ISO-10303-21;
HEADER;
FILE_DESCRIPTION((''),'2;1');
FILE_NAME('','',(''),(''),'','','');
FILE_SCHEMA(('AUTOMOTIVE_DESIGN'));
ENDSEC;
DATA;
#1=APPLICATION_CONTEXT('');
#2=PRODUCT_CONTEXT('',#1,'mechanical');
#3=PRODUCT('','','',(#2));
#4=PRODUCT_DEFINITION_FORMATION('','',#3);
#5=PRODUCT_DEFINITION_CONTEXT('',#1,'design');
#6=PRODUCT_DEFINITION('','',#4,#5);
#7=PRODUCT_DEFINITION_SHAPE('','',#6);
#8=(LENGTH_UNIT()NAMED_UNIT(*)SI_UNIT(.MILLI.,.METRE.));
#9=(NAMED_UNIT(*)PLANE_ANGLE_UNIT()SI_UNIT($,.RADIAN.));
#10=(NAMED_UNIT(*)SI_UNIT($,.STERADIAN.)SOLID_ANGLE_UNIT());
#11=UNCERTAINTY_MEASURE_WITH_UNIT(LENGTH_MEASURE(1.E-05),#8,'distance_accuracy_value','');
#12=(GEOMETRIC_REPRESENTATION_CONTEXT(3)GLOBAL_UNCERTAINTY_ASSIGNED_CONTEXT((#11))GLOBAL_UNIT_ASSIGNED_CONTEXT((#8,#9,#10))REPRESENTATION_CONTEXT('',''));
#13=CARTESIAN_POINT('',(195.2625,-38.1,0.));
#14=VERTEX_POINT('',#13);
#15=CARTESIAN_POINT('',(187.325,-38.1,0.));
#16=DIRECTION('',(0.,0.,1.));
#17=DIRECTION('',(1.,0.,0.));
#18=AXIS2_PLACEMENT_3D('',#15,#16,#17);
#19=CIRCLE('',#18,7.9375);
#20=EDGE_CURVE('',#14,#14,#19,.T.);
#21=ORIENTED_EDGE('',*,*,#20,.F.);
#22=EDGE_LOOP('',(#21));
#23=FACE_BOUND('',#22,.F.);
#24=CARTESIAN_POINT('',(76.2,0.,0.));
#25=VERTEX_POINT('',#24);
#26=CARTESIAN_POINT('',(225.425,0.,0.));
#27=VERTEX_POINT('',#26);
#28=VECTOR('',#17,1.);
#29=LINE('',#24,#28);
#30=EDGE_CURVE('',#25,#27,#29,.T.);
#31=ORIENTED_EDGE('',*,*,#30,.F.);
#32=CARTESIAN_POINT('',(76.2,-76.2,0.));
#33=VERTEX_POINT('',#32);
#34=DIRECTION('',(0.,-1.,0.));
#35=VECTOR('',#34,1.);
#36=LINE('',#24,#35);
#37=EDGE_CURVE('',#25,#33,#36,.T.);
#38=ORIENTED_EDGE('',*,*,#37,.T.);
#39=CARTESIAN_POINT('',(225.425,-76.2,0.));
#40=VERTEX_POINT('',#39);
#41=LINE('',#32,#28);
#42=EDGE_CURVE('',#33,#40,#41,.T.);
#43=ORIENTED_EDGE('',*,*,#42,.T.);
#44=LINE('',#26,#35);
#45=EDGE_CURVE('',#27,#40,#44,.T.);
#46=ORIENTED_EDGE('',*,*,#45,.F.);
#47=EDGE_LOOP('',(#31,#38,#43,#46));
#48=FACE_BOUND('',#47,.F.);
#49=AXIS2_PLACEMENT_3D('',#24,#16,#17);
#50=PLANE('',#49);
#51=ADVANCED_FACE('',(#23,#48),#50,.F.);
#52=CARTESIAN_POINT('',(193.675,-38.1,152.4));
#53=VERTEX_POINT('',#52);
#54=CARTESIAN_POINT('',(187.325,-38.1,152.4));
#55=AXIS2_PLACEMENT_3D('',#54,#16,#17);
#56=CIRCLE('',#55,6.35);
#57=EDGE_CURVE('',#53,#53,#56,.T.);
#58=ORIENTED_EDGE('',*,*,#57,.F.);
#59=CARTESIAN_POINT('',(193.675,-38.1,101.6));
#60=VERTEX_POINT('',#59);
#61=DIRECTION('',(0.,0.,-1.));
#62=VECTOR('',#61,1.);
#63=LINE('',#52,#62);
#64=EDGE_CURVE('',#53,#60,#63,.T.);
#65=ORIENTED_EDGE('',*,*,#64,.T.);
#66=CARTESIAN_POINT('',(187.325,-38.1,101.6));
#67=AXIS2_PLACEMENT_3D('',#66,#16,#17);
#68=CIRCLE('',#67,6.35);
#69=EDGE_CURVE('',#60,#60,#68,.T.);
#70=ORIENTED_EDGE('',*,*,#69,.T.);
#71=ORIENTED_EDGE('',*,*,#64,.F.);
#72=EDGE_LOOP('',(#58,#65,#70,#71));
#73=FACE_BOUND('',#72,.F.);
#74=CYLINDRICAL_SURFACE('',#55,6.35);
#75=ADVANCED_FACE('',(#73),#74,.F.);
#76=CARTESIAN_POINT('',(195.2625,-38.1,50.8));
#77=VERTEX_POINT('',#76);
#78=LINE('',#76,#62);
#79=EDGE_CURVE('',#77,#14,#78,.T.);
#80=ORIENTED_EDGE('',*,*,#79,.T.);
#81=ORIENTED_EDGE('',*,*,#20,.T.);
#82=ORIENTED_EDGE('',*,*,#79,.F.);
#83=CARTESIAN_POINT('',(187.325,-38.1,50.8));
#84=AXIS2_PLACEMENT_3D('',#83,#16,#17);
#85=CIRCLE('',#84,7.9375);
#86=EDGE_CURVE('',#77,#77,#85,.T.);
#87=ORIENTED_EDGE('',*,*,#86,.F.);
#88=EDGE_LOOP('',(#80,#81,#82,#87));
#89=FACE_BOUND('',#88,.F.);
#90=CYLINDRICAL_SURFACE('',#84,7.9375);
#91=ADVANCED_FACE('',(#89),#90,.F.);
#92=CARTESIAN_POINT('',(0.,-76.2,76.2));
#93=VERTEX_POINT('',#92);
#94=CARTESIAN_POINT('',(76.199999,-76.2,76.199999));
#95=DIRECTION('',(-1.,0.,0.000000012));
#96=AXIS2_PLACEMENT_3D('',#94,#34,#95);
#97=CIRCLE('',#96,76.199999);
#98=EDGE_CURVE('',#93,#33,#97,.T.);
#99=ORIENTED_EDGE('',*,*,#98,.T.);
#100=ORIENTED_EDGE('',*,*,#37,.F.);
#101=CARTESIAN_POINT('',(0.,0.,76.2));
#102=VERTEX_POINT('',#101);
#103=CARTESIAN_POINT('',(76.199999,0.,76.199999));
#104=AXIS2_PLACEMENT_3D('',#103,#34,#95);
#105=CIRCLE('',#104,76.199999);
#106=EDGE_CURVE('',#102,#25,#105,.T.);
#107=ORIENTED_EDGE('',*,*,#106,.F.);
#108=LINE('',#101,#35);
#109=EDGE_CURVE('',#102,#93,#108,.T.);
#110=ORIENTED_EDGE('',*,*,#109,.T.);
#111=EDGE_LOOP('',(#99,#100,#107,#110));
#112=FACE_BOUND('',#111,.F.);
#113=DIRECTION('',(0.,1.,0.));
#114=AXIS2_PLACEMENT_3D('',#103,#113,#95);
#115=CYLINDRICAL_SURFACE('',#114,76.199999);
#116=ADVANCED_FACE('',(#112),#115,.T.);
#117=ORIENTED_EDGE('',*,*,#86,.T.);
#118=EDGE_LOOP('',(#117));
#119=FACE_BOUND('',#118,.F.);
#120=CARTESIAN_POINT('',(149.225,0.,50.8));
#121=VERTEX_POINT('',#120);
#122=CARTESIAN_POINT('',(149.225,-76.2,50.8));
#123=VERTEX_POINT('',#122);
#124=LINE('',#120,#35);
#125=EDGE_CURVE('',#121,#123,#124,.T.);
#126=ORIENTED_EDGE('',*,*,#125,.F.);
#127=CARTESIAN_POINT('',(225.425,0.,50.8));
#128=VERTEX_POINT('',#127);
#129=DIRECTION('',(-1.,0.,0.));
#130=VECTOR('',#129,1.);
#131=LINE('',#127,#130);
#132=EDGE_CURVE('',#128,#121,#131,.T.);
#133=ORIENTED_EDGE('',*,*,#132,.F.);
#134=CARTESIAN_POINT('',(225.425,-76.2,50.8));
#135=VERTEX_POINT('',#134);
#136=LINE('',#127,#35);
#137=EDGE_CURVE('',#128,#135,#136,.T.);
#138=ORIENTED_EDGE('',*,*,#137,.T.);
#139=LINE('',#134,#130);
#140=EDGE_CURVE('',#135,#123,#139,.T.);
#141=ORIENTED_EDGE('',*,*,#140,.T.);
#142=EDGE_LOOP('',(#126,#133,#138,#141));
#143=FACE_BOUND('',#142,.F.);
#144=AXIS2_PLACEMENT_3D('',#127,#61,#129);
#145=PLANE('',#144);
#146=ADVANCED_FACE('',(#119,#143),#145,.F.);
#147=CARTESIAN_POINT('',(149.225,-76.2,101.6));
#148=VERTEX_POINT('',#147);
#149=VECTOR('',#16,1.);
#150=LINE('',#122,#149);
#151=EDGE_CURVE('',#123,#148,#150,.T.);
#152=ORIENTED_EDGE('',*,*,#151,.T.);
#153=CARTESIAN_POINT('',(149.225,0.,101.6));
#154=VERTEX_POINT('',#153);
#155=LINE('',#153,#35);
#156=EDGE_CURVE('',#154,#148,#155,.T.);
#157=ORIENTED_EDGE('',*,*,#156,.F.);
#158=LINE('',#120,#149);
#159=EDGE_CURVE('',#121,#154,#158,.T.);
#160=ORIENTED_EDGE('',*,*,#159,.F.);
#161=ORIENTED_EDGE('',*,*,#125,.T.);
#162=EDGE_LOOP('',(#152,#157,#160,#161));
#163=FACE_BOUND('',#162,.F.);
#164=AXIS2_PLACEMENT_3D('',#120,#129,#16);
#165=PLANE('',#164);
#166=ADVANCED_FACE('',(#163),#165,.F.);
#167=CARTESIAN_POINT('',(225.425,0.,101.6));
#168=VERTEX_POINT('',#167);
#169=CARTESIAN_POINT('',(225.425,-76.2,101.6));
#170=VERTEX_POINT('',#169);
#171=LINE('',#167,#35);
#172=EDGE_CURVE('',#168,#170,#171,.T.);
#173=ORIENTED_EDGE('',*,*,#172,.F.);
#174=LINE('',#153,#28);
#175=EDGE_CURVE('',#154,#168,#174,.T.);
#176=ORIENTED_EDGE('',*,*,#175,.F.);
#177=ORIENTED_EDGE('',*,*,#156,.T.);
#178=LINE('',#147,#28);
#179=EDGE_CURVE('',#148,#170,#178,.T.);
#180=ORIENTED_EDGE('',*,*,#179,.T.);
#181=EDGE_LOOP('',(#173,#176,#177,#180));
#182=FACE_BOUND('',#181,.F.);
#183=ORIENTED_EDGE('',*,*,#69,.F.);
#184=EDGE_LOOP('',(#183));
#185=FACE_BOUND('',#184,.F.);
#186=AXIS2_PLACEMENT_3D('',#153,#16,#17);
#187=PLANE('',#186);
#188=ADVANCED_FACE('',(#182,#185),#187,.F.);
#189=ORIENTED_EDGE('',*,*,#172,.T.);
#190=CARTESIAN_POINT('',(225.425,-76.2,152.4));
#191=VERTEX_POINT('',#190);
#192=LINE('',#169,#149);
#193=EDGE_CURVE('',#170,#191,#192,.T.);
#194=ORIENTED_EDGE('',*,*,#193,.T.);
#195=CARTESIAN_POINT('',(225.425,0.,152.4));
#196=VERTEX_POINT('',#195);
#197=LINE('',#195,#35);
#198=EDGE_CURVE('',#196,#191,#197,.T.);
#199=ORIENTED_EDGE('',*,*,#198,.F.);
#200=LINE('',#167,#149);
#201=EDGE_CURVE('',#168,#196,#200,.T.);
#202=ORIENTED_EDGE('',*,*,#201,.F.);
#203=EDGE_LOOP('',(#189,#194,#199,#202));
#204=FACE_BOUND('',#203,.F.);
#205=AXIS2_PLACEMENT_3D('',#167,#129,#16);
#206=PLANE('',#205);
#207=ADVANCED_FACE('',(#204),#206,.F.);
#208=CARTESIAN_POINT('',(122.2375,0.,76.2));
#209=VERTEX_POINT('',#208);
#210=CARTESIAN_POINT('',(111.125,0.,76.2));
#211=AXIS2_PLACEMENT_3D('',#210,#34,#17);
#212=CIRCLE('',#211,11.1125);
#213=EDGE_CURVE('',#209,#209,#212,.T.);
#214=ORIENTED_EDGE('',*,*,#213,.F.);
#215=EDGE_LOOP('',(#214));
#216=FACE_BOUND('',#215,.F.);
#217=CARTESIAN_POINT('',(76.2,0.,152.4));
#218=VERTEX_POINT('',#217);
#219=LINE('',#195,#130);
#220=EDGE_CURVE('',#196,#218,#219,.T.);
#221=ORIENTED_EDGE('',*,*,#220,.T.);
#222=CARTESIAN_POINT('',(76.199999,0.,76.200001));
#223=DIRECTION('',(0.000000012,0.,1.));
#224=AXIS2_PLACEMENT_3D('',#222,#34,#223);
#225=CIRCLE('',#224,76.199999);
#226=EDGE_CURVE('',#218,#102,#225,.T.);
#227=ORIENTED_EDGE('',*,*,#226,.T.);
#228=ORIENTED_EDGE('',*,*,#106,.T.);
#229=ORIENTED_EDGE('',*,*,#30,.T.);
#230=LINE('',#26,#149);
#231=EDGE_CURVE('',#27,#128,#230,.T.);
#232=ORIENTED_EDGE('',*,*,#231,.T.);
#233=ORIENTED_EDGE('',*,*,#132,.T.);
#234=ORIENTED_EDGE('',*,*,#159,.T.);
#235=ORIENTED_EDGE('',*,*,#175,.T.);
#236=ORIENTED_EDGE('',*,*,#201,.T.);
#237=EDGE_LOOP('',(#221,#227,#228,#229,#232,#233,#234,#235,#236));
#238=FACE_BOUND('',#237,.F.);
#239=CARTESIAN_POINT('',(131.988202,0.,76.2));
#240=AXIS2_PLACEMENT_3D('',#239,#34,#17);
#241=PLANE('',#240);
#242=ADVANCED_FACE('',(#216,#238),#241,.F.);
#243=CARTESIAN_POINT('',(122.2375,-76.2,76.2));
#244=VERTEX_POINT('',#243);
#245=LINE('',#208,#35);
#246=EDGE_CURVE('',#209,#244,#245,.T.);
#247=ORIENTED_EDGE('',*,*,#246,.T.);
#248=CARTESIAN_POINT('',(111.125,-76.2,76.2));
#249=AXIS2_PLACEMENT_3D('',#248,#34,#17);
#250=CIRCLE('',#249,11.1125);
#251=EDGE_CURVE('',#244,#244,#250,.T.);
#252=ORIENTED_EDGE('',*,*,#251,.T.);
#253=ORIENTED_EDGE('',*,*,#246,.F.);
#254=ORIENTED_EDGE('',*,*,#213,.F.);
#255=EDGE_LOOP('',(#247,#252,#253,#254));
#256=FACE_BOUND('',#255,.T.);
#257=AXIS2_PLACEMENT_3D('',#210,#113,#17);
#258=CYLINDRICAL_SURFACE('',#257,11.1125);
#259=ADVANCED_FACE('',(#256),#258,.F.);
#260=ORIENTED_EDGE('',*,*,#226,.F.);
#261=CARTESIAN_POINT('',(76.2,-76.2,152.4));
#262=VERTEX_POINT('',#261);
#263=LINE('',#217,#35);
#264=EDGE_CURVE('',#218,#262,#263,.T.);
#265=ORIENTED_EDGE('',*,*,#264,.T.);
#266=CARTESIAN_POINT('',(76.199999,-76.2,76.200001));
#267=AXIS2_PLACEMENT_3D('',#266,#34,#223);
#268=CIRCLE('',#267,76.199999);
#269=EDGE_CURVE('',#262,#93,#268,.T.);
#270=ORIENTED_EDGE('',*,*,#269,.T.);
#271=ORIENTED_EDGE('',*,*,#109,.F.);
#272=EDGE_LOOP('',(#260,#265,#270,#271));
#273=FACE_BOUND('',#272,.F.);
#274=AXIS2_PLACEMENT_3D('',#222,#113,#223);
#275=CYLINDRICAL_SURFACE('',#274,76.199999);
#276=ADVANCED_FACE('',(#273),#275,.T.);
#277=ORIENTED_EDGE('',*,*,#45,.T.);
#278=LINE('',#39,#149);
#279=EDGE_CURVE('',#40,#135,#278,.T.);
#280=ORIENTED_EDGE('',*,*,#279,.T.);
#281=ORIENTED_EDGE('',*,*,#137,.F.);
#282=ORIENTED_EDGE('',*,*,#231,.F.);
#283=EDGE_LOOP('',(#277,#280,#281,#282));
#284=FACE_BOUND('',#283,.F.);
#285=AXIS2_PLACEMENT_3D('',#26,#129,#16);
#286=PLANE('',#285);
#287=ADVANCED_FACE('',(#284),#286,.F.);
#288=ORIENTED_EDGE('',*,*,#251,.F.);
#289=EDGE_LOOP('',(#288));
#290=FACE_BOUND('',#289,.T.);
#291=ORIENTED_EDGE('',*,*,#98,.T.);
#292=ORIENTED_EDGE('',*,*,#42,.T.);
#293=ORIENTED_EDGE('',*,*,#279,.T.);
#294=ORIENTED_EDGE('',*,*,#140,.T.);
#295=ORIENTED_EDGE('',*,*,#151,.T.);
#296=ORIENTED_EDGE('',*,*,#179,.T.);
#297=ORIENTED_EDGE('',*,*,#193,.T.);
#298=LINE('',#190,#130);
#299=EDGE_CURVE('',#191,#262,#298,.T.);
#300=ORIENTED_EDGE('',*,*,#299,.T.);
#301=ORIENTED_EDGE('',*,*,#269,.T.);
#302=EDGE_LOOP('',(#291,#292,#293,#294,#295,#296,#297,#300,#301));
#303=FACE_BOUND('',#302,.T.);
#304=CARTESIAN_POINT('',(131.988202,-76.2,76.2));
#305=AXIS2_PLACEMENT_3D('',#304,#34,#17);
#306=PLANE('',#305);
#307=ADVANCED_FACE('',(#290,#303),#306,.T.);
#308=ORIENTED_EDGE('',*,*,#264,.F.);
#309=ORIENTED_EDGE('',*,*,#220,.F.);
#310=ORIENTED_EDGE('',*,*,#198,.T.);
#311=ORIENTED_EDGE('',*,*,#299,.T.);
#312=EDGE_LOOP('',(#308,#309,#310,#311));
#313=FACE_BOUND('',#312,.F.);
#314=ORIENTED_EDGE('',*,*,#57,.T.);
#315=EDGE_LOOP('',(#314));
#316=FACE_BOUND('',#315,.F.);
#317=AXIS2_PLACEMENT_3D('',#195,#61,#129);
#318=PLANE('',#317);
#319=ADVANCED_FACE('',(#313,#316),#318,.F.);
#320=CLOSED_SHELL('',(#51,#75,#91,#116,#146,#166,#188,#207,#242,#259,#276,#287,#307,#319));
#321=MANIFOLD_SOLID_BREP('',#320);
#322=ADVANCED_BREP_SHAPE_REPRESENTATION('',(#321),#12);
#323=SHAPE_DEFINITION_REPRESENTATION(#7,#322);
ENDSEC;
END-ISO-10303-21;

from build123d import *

# Parameters (mm, degrees)
F0_R     = 11.1125
F1_DEPTH = 76.2
F2_R     = 6.35
F3_DEPTH = 81.026
F4_R     = 7.9375
F5_DEPTH = 65.278


with BuildPart() as f1:
    # F0 (on Front) → F1 (new body)
    with BuildSketch(Plane.XZ):
        with BuildLine():
            Line((225.425, 152.4), (76.2, 152.4))
            ThreePointArc((76.2, 152.4), (22.318463, 130.081537), (0, 76.2))
            ThreePointArc((0, 76.2), (22.318463, 22.318463), (76.2, 0))
            Line((76.2, 0), (225.425, 0))
            Line((225.425, 0), (225.425, 50.8))
            Line((225.425, 50.8), (149.225, 50.8))
            Line((149.225, 50.8), (149.225, 101.6))
            Line((149.225, 101.6), (225.425, 101.6))
            Line((225.425, 101.6), (225.425, 152.4))
        make_face()
        with Locations((111.125, 76.2)):
            Circle(F0_R, mode=Mode.SUBTRACT)
    extrude(amount=F1_DEPTH)

    # F2 (on face) → F3 (cut)
    with BuildSketch(Plane.XY.offset(152.4)):
        with Locations((187.325, -38.1)):
            Circle(F2_R)
    extrude(amount=-F3_DEPTH, mode=Mode.SUBTRACT)

    # F4 (on face) → F5 (cut)
    with BuildSketch(Plane.XY.offset(50.8)):
        with Locations((187.325, -38.1)):
            Circle(F4_R)
    extrude(amount=-F5_DEPTH, mode=Mode.SUBTRACT)


solid = f1.part
